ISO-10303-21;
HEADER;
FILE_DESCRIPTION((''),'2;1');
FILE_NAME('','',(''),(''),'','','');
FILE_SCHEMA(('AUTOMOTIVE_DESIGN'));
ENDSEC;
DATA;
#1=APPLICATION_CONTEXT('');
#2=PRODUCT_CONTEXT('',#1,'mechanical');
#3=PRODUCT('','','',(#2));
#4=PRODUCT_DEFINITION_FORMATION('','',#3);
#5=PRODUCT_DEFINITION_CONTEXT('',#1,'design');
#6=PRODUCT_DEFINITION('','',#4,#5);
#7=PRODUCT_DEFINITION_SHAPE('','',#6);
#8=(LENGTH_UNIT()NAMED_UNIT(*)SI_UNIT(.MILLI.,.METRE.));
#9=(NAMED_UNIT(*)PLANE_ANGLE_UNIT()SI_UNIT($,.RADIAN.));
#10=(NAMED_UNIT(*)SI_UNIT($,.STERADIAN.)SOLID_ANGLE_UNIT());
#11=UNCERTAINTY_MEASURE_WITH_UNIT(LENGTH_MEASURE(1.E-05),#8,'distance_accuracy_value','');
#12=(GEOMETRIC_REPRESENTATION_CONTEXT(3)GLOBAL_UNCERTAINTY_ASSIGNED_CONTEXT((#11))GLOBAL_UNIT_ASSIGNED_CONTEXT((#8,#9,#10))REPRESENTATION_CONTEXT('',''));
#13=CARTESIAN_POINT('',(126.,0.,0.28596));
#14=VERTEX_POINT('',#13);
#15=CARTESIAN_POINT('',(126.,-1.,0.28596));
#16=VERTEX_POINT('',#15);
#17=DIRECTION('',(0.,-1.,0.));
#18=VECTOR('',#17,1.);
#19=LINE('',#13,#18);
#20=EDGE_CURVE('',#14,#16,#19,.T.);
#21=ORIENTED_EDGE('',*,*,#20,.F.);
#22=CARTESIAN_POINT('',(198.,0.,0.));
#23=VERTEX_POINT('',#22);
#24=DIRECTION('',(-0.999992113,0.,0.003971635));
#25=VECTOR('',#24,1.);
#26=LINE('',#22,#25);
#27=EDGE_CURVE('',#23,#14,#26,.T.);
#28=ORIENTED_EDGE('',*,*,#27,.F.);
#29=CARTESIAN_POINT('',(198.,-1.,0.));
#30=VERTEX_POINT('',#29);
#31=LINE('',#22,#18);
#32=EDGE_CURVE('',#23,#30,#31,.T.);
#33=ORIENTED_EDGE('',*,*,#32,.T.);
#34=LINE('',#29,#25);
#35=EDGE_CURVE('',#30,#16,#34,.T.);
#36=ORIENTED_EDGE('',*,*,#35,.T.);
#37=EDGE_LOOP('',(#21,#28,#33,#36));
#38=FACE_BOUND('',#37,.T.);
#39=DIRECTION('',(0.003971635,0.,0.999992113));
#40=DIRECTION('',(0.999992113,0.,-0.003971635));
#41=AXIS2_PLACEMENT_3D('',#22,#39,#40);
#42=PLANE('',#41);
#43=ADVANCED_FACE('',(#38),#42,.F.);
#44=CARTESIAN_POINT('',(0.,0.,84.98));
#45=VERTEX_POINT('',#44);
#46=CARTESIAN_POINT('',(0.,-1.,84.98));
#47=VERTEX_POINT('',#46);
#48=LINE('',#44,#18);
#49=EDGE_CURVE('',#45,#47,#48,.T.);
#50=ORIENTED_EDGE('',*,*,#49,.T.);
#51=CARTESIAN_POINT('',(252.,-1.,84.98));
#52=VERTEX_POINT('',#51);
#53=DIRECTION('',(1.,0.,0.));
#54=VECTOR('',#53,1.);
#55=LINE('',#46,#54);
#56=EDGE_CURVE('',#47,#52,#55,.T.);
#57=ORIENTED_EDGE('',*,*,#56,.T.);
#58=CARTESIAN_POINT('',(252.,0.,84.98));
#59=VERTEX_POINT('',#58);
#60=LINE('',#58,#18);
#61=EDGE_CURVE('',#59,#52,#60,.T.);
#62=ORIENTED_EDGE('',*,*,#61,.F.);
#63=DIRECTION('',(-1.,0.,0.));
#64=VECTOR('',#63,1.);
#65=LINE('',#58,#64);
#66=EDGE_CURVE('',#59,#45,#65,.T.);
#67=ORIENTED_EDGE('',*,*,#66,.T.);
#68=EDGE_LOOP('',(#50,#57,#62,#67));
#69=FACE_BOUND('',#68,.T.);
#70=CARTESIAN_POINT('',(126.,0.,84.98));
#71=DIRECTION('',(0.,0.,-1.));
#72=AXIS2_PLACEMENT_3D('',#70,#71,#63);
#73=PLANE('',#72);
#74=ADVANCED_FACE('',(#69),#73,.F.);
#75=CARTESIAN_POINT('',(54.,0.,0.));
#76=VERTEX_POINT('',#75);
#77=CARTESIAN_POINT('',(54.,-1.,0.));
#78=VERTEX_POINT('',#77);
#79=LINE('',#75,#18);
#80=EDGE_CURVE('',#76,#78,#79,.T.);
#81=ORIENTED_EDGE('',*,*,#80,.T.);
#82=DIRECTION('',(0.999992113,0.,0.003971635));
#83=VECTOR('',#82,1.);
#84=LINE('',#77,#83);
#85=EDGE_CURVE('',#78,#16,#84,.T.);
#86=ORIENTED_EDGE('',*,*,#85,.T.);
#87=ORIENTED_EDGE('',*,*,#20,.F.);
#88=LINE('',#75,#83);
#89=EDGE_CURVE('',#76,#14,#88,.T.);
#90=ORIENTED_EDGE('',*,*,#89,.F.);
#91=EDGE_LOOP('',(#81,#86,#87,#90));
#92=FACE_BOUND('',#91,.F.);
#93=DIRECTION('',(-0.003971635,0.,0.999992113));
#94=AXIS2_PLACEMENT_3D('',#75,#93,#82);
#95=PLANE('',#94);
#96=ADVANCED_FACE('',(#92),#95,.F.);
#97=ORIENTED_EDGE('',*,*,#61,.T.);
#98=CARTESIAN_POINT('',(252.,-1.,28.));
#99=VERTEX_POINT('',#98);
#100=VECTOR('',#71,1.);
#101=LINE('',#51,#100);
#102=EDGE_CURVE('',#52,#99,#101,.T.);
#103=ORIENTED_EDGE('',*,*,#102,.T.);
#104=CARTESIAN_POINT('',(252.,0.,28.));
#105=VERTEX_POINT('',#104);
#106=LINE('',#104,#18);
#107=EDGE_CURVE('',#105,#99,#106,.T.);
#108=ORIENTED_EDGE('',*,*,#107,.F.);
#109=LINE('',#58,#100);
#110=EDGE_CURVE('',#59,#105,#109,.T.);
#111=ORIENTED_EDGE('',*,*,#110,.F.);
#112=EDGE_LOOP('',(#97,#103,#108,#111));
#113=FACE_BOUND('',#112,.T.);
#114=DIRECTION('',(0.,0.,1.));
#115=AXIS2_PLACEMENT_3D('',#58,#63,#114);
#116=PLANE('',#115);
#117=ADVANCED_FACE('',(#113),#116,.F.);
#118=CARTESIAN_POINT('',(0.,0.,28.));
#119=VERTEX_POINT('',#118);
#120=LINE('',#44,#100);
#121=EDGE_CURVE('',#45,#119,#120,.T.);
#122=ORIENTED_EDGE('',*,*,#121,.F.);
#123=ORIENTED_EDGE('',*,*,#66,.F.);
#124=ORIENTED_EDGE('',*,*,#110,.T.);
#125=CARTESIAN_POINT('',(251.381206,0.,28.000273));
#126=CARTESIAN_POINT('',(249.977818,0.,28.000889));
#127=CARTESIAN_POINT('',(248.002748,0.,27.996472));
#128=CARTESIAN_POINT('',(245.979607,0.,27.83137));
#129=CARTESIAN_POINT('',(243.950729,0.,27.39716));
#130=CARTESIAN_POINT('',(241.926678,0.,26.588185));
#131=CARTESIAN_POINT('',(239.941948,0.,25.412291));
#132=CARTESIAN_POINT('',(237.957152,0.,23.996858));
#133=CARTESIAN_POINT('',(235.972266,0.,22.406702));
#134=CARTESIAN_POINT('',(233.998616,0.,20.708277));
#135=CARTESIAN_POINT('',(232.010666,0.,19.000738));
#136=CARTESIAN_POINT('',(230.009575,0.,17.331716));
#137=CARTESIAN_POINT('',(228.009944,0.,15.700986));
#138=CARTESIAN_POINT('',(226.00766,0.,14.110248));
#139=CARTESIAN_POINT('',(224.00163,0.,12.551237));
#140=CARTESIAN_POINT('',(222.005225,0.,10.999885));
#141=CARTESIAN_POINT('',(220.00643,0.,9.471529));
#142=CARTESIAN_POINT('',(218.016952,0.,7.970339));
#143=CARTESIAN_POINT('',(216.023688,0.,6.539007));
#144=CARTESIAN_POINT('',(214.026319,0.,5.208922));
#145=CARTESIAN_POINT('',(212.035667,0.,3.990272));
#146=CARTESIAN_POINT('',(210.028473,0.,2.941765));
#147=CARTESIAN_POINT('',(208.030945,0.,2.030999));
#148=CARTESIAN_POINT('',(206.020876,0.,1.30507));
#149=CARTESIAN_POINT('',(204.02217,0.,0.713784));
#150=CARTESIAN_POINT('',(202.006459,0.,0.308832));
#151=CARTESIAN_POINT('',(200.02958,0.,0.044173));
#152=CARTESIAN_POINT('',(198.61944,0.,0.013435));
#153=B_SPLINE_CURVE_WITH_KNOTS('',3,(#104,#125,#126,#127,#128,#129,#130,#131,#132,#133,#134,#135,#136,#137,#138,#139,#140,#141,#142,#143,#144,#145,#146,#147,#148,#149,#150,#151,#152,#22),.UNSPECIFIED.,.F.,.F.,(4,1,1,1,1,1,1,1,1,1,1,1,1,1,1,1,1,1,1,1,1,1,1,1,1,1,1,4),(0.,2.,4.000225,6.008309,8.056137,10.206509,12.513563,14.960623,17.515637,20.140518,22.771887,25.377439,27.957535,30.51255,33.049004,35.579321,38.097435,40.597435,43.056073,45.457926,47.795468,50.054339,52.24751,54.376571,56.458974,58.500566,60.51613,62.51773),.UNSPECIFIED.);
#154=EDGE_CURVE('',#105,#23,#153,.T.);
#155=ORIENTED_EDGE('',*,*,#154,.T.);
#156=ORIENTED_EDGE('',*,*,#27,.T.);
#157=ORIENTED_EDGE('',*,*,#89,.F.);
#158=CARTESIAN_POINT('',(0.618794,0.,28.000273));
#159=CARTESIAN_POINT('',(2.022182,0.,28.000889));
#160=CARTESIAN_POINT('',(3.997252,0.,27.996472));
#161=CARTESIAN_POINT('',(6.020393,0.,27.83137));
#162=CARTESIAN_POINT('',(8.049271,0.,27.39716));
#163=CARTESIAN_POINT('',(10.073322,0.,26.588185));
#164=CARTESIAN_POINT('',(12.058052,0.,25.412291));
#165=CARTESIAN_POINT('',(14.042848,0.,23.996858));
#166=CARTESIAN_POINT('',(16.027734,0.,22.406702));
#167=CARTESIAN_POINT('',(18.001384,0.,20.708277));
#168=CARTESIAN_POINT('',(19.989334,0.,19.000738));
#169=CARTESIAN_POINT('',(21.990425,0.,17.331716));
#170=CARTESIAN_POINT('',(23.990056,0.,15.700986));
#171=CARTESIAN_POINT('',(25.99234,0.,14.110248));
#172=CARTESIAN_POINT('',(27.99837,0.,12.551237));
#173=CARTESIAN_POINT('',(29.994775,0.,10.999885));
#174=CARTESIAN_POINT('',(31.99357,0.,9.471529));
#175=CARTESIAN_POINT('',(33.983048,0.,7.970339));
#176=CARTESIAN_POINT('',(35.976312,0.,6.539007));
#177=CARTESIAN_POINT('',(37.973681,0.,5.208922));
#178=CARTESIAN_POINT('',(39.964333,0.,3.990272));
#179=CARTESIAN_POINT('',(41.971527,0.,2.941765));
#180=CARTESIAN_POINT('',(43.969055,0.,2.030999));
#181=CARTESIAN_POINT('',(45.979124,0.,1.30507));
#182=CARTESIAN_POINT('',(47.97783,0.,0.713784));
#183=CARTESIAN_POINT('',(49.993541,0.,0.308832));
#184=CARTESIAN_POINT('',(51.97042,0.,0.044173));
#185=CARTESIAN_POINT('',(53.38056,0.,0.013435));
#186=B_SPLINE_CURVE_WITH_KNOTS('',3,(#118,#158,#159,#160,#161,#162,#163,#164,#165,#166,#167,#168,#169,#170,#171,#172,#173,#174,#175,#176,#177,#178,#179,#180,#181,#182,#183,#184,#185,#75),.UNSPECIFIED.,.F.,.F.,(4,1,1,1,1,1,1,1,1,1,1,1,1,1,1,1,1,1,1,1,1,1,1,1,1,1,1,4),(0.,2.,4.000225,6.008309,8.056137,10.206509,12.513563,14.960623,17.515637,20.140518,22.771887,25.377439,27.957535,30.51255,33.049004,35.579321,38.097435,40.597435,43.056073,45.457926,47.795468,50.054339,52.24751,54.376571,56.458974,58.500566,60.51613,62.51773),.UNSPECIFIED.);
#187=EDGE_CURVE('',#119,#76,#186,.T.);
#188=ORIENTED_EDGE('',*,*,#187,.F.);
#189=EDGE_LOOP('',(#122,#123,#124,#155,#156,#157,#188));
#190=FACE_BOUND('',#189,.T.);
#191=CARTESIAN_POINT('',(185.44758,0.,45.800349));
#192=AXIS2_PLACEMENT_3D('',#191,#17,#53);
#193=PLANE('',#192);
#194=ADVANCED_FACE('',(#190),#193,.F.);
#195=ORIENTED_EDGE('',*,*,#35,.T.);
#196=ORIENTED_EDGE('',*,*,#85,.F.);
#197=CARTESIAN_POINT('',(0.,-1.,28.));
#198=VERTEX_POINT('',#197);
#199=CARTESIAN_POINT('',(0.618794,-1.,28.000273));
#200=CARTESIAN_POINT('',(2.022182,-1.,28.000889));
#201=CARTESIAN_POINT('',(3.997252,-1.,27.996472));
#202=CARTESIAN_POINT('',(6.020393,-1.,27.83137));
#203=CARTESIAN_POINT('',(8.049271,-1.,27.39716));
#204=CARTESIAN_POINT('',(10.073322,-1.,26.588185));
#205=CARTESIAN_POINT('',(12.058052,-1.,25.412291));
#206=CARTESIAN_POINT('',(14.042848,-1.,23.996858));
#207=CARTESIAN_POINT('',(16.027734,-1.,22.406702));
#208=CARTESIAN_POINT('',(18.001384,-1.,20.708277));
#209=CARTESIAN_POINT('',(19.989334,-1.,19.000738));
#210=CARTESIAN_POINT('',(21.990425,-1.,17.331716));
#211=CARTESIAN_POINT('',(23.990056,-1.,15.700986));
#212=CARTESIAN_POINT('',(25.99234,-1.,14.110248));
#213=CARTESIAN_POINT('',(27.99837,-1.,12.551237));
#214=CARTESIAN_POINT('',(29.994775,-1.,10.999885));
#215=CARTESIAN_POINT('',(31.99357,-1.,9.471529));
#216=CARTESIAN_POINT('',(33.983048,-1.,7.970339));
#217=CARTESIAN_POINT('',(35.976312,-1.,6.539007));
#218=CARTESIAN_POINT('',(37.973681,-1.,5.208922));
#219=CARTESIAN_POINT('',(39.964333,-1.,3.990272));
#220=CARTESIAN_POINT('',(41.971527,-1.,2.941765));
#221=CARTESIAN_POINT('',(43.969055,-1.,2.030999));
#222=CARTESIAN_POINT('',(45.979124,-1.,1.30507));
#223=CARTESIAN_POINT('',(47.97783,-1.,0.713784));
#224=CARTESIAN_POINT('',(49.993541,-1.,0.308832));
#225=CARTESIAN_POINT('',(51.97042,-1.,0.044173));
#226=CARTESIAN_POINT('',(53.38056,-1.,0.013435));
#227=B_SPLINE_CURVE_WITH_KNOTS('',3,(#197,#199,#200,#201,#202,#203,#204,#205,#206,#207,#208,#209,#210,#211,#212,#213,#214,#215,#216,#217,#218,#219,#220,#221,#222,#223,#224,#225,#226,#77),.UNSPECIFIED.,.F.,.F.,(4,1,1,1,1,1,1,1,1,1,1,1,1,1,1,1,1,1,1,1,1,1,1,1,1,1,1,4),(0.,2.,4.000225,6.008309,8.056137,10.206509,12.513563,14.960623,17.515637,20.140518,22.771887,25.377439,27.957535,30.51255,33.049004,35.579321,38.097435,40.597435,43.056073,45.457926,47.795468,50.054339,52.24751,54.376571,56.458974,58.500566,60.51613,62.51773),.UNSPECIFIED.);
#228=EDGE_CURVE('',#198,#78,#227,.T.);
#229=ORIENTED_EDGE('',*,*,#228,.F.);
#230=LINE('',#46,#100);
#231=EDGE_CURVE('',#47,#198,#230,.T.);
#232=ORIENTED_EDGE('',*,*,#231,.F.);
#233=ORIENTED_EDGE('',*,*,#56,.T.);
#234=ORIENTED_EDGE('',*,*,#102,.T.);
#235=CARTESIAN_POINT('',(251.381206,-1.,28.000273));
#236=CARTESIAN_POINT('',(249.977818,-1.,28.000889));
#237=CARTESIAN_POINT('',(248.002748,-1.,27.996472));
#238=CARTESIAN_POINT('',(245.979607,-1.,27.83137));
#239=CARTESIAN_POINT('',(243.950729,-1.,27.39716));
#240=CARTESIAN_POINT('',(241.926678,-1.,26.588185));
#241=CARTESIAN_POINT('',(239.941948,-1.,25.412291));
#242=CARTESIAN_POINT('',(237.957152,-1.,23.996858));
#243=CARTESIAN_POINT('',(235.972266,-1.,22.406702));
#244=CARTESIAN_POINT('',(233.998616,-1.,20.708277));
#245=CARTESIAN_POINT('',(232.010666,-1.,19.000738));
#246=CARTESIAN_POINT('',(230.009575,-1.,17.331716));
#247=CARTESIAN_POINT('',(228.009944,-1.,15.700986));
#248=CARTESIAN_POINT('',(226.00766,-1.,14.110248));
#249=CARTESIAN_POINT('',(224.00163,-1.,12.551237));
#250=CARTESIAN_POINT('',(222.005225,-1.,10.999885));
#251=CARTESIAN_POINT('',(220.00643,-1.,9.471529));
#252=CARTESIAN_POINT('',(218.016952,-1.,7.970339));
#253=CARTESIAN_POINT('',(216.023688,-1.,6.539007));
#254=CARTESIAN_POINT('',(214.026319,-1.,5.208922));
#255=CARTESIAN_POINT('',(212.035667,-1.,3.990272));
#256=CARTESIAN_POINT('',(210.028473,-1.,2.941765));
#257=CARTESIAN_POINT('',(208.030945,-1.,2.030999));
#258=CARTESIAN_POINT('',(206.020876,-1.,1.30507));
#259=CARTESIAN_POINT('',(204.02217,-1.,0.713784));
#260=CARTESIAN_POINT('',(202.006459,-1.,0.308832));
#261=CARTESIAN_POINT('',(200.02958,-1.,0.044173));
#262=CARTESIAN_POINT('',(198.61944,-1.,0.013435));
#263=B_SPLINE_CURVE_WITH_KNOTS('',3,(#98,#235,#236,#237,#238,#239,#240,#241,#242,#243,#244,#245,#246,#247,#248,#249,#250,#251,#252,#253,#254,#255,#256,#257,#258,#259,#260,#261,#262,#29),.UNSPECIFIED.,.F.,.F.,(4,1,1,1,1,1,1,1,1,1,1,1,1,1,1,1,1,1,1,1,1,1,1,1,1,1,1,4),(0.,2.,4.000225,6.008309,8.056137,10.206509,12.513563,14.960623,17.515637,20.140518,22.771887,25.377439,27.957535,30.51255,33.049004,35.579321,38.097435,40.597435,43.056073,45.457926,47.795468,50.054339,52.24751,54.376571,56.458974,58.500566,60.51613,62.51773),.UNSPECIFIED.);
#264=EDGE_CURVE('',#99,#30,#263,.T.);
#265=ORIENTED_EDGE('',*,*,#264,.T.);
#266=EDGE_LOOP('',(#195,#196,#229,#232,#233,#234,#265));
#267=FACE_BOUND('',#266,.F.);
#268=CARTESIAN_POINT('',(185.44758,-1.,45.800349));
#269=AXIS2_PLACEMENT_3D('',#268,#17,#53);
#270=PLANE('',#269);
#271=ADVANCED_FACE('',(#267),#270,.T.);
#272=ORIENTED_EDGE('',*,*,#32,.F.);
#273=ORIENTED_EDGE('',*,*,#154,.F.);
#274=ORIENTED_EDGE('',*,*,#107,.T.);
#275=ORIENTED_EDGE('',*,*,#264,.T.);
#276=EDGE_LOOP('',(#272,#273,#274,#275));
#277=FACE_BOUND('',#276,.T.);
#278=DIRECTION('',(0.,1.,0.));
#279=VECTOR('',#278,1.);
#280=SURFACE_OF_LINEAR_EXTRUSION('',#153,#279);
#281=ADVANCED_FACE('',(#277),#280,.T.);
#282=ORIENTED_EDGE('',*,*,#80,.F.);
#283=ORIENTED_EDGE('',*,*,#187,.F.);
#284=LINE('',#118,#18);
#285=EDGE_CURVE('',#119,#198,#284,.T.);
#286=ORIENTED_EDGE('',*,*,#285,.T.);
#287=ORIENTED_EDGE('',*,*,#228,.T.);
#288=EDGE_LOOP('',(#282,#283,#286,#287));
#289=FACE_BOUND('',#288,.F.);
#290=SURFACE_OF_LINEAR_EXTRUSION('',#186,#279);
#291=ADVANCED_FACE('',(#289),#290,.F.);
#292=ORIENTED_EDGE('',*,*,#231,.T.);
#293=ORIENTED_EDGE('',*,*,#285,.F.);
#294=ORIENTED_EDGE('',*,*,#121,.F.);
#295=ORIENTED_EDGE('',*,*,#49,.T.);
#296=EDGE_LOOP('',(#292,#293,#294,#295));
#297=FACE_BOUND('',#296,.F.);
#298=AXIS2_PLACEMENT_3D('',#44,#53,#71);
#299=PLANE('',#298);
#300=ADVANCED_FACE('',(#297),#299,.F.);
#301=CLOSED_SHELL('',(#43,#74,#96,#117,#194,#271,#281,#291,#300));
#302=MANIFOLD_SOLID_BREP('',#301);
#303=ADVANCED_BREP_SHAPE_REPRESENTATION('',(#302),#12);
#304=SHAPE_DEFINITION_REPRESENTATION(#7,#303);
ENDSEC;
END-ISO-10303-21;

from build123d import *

# Parameters (mm, degrees)
F1_DEPTH = 1


with BuildPart() as f1:
    # F0 (on Front) → F1 (new body)
    with BuildSketch(Plane.XZ):
        with BuildLine():
            Line((0, 84.98), (0, 28))
            add(Edge.make_bspline(
                [(0, 28), (0.618794, 28.000273), (2.022182, 28.000889), (3.997252, 27.996472), (6.020393, 27.83137), (8.049271, 27.39716), (10.073322, 26.588185), (12.058052, 25.412291), (14.042848, 23.996858), (16.027734, 22.406702), (18.001384, 20.708277), (19.989334, 19.000738), (21.990425, 17.331716), (23.990056, 15.700986), (25.99234, 14.110248), (27.99837, 12.551237), (29.994775, 10.999885), (31.99357, 9.471529), (33.983048, 7.970339), (35.976312, 6.539007), (37.973681, 5.208922), (39.964333, 3.990272), (41.971527, 2.941765), (43.969055, 2.030999), (45.979124, 1.30507), (47.97783, 0.713784), (49.993541, 0.308832), (51.97042, 0.044173), (53.38056, 0.013435), (54, 0)],
                knots=[0, 0, 0, 0, 2, 4.000225, 6.008309, 8.056137, 10.206509, 12.513563, 14.960623, 17.515637, 20.140518, 22.771887, 25.377439, 27.957535, 30.51255, 33.049004, 35.579321, 38.097435, 40.597435, 43.056073, 45.457926, 47.795468, 50.054339, 52.24751, 54.376571, 56.458974, 58.500566, 60.51613, 62.51773, 62.51773, 62.51773, 62.51773], degree=3))
            Line((54, 0), (126, 0.28596))
            Line((126, 0.28596), (126, 84.98))
            Line((126, 84.98), (0, 84.98))
        make_face()
    extrude(amount=F1_DEPTH)

    # F2: F1 across face


with BuildPart() as f1_1:
    add(f1.part)
    add(f1.part.mirror(Plane(origin=(126, -0.5, 42.63298), x_dir=(0, 1, 0), z_dir=(1, 0, 0))))


solid = f1_1.part
